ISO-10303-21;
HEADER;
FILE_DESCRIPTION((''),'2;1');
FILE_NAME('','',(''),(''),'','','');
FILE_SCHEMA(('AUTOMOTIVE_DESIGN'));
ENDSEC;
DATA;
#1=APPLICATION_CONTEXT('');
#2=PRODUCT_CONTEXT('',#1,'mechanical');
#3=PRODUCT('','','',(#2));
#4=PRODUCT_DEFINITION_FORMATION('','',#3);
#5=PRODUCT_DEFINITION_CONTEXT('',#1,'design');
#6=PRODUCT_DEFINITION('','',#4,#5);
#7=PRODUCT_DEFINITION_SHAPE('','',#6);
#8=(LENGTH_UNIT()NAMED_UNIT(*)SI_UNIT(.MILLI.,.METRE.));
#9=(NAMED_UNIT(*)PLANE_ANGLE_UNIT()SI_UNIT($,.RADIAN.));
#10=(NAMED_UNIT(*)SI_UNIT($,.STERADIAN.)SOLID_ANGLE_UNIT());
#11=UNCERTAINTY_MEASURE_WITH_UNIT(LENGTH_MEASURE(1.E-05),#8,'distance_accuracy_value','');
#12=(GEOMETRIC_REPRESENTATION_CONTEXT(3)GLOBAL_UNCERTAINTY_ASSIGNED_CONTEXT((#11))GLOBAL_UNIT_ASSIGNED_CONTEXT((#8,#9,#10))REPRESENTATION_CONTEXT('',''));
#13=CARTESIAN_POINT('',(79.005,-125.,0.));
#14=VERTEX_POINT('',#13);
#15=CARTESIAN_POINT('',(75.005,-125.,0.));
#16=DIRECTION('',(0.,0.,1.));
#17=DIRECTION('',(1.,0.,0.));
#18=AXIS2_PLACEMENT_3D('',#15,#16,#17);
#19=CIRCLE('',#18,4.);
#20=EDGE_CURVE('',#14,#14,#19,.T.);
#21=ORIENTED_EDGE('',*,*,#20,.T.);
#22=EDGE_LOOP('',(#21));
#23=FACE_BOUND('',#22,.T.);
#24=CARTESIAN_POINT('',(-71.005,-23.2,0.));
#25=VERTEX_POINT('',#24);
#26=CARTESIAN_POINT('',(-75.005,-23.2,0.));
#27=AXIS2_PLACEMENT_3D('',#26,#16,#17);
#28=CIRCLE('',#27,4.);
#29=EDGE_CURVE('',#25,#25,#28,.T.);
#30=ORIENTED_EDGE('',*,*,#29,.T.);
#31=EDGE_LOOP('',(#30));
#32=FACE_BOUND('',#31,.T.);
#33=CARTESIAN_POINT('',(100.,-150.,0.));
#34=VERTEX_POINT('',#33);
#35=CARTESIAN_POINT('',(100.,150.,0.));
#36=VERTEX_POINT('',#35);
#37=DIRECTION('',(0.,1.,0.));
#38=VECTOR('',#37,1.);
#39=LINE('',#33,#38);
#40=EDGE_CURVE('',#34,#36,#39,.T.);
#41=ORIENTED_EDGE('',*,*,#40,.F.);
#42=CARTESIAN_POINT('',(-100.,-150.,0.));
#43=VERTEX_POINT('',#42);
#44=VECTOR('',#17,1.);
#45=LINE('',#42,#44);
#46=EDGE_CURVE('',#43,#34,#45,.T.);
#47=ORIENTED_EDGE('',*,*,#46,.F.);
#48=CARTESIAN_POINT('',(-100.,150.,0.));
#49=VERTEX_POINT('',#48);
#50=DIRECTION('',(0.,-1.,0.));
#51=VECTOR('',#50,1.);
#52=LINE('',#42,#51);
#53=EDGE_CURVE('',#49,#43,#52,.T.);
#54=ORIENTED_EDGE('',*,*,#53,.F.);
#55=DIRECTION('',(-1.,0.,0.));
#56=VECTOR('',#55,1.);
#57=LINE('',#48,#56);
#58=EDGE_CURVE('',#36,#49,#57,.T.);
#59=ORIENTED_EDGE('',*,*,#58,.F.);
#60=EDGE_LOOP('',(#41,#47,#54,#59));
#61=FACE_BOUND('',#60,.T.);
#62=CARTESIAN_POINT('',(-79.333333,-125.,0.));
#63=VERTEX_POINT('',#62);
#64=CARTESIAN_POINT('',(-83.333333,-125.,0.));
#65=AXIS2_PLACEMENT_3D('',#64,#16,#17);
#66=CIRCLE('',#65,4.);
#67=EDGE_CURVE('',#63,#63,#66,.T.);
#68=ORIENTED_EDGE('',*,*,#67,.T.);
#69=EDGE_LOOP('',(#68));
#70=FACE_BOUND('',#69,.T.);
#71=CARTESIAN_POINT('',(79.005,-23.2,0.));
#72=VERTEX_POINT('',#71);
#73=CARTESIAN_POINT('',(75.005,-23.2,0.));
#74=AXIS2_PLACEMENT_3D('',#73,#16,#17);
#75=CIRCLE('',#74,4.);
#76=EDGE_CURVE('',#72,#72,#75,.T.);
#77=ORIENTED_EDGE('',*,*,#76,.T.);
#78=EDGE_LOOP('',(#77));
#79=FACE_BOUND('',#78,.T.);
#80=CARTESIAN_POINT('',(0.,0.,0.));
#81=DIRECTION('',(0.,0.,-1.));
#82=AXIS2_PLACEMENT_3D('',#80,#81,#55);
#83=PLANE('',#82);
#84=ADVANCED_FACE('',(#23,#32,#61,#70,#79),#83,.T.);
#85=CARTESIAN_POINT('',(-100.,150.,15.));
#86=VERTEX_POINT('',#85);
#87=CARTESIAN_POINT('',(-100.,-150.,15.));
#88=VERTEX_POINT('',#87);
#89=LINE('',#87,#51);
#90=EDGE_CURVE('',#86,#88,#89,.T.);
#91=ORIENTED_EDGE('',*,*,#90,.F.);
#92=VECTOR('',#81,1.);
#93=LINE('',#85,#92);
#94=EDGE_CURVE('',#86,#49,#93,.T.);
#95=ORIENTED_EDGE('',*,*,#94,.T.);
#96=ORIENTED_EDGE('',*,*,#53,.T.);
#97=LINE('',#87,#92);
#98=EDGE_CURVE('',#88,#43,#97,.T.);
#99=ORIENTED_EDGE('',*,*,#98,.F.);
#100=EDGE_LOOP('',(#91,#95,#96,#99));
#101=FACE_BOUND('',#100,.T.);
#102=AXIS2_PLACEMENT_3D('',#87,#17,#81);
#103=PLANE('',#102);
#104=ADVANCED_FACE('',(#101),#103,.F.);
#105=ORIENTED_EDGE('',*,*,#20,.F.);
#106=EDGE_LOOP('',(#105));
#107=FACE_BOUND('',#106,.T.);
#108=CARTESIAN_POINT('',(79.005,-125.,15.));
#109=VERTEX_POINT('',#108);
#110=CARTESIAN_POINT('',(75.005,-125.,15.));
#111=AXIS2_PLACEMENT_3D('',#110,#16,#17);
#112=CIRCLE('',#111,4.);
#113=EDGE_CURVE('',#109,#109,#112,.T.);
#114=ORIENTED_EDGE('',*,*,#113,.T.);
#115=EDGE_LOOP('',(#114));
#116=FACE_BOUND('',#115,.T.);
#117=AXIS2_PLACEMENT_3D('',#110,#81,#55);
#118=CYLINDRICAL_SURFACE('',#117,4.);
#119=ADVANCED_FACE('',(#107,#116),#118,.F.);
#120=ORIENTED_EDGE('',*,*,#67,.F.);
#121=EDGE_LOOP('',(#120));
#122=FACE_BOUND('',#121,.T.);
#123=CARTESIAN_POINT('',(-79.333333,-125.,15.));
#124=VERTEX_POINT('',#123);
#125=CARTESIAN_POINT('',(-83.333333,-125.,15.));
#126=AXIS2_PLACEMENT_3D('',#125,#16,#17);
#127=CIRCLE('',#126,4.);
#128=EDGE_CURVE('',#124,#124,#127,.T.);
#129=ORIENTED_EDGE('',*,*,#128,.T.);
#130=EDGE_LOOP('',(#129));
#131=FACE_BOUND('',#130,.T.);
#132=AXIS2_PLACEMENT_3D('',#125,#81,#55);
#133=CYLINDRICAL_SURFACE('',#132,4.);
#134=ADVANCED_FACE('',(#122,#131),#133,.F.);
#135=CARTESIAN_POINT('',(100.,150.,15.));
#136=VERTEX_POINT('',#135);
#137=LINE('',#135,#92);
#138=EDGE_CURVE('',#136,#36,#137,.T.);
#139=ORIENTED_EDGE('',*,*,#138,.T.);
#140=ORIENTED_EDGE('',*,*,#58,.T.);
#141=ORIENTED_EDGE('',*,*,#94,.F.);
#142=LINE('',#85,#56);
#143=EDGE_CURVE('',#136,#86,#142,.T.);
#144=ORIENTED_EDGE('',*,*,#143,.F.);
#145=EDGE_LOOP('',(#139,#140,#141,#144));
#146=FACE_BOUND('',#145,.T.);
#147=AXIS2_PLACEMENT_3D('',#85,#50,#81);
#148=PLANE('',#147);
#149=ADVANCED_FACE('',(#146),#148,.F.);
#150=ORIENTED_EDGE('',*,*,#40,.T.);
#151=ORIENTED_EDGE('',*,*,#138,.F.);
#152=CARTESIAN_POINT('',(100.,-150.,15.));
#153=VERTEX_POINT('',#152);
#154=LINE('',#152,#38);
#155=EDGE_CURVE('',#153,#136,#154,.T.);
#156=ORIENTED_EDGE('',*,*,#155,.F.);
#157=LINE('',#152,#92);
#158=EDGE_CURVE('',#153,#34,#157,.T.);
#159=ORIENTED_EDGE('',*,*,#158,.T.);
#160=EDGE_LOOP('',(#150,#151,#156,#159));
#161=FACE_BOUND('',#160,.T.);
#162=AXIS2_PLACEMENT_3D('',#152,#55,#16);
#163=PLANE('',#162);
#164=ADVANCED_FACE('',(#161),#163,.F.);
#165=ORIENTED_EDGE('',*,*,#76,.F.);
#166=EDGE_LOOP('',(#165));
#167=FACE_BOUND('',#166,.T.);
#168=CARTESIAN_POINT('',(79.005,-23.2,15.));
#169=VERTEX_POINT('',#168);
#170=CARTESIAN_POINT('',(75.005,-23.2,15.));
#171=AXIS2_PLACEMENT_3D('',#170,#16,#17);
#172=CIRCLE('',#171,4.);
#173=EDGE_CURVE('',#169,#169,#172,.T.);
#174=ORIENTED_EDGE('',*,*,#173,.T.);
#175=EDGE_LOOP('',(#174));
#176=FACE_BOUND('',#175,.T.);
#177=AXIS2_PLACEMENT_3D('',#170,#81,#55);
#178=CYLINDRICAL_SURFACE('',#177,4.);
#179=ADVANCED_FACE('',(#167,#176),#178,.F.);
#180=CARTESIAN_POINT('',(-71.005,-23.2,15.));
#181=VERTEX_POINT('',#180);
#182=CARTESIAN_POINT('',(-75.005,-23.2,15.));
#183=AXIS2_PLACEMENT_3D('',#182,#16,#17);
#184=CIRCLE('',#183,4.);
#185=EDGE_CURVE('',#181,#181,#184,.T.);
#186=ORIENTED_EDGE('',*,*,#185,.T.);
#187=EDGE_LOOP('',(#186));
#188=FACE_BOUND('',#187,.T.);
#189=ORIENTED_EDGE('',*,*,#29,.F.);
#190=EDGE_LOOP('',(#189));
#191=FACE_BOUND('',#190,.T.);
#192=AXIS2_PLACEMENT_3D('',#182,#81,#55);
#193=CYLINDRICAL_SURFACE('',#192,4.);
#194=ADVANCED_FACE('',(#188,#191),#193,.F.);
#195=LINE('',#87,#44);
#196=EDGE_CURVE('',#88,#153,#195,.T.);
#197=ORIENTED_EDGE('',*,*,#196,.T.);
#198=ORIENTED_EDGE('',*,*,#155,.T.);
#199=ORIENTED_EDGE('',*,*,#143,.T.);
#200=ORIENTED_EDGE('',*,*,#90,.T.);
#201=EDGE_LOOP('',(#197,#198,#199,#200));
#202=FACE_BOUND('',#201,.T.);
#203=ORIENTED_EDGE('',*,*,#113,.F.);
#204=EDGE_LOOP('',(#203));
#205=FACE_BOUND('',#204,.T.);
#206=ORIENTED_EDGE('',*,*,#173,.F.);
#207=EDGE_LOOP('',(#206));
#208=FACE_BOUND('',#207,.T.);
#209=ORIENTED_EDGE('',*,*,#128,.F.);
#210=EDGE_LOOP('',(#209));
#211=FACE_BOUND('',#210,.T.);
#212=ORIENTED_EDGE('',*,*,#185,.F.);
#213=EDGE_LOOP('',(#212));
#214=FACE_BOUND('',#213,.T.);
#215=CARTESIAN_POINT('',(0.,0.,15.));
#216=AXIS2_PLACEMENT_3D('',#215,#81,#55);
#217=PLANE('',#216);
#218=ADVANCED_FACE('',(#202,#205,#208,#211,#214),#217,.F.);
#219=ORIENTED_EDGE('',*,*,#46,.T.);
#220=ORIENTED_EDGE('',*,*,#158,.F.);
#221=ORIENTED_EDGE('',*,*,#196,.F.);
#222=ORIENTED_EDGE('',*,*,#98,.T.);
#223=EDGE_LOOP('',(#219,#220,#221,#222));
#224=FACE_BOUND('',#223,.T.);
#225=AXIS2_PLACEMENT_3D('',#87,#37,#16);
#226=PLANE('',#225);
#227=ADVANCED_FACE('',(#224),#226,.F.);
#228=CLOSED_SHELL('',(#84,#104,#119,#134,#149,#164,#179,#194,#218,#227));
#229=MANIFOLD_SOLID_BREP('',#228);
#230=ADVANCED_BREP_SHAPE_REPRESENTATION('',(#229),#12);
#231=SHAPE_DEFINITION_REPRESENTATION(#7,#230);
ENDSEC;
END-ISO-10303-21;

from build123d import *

# Parameters (mm, degrees)
CROQUIS1_W              = 200
CROQUIS1_H              = 300
CROQUIS1_R              = 4
SALIENTE_EXTRUIR1_DEPTH = 15


with BuildPart() as part:
    # Croquis1 → Saliente-Extruir1 (new body)
    with BuildSketch(Plane.XY):
        Rectangle(CROQUIS1_W, CROQUIS1_H)
        with Locations((-75.005, -23.2)):
            Circle(CROQUIS1_R, mode=Mode.SUBTRACT)
        with Locations((75.005, -23.2)):
            Circle(CROQUIS1_R, mode=Mode.SUBTRACT)
        with Locations((75.005, -125)):
            Circle(CROQUIS1_R, mode=Mode.SUBTRACT)
        with Locations((-83.333333333, -125)):
            Circle(CROQUIS1_R, mode=Mode.SUBTRACT)
    extrude(amount=SALIENTE_EXTRUIR1_DEPTH)


solid = part.part
